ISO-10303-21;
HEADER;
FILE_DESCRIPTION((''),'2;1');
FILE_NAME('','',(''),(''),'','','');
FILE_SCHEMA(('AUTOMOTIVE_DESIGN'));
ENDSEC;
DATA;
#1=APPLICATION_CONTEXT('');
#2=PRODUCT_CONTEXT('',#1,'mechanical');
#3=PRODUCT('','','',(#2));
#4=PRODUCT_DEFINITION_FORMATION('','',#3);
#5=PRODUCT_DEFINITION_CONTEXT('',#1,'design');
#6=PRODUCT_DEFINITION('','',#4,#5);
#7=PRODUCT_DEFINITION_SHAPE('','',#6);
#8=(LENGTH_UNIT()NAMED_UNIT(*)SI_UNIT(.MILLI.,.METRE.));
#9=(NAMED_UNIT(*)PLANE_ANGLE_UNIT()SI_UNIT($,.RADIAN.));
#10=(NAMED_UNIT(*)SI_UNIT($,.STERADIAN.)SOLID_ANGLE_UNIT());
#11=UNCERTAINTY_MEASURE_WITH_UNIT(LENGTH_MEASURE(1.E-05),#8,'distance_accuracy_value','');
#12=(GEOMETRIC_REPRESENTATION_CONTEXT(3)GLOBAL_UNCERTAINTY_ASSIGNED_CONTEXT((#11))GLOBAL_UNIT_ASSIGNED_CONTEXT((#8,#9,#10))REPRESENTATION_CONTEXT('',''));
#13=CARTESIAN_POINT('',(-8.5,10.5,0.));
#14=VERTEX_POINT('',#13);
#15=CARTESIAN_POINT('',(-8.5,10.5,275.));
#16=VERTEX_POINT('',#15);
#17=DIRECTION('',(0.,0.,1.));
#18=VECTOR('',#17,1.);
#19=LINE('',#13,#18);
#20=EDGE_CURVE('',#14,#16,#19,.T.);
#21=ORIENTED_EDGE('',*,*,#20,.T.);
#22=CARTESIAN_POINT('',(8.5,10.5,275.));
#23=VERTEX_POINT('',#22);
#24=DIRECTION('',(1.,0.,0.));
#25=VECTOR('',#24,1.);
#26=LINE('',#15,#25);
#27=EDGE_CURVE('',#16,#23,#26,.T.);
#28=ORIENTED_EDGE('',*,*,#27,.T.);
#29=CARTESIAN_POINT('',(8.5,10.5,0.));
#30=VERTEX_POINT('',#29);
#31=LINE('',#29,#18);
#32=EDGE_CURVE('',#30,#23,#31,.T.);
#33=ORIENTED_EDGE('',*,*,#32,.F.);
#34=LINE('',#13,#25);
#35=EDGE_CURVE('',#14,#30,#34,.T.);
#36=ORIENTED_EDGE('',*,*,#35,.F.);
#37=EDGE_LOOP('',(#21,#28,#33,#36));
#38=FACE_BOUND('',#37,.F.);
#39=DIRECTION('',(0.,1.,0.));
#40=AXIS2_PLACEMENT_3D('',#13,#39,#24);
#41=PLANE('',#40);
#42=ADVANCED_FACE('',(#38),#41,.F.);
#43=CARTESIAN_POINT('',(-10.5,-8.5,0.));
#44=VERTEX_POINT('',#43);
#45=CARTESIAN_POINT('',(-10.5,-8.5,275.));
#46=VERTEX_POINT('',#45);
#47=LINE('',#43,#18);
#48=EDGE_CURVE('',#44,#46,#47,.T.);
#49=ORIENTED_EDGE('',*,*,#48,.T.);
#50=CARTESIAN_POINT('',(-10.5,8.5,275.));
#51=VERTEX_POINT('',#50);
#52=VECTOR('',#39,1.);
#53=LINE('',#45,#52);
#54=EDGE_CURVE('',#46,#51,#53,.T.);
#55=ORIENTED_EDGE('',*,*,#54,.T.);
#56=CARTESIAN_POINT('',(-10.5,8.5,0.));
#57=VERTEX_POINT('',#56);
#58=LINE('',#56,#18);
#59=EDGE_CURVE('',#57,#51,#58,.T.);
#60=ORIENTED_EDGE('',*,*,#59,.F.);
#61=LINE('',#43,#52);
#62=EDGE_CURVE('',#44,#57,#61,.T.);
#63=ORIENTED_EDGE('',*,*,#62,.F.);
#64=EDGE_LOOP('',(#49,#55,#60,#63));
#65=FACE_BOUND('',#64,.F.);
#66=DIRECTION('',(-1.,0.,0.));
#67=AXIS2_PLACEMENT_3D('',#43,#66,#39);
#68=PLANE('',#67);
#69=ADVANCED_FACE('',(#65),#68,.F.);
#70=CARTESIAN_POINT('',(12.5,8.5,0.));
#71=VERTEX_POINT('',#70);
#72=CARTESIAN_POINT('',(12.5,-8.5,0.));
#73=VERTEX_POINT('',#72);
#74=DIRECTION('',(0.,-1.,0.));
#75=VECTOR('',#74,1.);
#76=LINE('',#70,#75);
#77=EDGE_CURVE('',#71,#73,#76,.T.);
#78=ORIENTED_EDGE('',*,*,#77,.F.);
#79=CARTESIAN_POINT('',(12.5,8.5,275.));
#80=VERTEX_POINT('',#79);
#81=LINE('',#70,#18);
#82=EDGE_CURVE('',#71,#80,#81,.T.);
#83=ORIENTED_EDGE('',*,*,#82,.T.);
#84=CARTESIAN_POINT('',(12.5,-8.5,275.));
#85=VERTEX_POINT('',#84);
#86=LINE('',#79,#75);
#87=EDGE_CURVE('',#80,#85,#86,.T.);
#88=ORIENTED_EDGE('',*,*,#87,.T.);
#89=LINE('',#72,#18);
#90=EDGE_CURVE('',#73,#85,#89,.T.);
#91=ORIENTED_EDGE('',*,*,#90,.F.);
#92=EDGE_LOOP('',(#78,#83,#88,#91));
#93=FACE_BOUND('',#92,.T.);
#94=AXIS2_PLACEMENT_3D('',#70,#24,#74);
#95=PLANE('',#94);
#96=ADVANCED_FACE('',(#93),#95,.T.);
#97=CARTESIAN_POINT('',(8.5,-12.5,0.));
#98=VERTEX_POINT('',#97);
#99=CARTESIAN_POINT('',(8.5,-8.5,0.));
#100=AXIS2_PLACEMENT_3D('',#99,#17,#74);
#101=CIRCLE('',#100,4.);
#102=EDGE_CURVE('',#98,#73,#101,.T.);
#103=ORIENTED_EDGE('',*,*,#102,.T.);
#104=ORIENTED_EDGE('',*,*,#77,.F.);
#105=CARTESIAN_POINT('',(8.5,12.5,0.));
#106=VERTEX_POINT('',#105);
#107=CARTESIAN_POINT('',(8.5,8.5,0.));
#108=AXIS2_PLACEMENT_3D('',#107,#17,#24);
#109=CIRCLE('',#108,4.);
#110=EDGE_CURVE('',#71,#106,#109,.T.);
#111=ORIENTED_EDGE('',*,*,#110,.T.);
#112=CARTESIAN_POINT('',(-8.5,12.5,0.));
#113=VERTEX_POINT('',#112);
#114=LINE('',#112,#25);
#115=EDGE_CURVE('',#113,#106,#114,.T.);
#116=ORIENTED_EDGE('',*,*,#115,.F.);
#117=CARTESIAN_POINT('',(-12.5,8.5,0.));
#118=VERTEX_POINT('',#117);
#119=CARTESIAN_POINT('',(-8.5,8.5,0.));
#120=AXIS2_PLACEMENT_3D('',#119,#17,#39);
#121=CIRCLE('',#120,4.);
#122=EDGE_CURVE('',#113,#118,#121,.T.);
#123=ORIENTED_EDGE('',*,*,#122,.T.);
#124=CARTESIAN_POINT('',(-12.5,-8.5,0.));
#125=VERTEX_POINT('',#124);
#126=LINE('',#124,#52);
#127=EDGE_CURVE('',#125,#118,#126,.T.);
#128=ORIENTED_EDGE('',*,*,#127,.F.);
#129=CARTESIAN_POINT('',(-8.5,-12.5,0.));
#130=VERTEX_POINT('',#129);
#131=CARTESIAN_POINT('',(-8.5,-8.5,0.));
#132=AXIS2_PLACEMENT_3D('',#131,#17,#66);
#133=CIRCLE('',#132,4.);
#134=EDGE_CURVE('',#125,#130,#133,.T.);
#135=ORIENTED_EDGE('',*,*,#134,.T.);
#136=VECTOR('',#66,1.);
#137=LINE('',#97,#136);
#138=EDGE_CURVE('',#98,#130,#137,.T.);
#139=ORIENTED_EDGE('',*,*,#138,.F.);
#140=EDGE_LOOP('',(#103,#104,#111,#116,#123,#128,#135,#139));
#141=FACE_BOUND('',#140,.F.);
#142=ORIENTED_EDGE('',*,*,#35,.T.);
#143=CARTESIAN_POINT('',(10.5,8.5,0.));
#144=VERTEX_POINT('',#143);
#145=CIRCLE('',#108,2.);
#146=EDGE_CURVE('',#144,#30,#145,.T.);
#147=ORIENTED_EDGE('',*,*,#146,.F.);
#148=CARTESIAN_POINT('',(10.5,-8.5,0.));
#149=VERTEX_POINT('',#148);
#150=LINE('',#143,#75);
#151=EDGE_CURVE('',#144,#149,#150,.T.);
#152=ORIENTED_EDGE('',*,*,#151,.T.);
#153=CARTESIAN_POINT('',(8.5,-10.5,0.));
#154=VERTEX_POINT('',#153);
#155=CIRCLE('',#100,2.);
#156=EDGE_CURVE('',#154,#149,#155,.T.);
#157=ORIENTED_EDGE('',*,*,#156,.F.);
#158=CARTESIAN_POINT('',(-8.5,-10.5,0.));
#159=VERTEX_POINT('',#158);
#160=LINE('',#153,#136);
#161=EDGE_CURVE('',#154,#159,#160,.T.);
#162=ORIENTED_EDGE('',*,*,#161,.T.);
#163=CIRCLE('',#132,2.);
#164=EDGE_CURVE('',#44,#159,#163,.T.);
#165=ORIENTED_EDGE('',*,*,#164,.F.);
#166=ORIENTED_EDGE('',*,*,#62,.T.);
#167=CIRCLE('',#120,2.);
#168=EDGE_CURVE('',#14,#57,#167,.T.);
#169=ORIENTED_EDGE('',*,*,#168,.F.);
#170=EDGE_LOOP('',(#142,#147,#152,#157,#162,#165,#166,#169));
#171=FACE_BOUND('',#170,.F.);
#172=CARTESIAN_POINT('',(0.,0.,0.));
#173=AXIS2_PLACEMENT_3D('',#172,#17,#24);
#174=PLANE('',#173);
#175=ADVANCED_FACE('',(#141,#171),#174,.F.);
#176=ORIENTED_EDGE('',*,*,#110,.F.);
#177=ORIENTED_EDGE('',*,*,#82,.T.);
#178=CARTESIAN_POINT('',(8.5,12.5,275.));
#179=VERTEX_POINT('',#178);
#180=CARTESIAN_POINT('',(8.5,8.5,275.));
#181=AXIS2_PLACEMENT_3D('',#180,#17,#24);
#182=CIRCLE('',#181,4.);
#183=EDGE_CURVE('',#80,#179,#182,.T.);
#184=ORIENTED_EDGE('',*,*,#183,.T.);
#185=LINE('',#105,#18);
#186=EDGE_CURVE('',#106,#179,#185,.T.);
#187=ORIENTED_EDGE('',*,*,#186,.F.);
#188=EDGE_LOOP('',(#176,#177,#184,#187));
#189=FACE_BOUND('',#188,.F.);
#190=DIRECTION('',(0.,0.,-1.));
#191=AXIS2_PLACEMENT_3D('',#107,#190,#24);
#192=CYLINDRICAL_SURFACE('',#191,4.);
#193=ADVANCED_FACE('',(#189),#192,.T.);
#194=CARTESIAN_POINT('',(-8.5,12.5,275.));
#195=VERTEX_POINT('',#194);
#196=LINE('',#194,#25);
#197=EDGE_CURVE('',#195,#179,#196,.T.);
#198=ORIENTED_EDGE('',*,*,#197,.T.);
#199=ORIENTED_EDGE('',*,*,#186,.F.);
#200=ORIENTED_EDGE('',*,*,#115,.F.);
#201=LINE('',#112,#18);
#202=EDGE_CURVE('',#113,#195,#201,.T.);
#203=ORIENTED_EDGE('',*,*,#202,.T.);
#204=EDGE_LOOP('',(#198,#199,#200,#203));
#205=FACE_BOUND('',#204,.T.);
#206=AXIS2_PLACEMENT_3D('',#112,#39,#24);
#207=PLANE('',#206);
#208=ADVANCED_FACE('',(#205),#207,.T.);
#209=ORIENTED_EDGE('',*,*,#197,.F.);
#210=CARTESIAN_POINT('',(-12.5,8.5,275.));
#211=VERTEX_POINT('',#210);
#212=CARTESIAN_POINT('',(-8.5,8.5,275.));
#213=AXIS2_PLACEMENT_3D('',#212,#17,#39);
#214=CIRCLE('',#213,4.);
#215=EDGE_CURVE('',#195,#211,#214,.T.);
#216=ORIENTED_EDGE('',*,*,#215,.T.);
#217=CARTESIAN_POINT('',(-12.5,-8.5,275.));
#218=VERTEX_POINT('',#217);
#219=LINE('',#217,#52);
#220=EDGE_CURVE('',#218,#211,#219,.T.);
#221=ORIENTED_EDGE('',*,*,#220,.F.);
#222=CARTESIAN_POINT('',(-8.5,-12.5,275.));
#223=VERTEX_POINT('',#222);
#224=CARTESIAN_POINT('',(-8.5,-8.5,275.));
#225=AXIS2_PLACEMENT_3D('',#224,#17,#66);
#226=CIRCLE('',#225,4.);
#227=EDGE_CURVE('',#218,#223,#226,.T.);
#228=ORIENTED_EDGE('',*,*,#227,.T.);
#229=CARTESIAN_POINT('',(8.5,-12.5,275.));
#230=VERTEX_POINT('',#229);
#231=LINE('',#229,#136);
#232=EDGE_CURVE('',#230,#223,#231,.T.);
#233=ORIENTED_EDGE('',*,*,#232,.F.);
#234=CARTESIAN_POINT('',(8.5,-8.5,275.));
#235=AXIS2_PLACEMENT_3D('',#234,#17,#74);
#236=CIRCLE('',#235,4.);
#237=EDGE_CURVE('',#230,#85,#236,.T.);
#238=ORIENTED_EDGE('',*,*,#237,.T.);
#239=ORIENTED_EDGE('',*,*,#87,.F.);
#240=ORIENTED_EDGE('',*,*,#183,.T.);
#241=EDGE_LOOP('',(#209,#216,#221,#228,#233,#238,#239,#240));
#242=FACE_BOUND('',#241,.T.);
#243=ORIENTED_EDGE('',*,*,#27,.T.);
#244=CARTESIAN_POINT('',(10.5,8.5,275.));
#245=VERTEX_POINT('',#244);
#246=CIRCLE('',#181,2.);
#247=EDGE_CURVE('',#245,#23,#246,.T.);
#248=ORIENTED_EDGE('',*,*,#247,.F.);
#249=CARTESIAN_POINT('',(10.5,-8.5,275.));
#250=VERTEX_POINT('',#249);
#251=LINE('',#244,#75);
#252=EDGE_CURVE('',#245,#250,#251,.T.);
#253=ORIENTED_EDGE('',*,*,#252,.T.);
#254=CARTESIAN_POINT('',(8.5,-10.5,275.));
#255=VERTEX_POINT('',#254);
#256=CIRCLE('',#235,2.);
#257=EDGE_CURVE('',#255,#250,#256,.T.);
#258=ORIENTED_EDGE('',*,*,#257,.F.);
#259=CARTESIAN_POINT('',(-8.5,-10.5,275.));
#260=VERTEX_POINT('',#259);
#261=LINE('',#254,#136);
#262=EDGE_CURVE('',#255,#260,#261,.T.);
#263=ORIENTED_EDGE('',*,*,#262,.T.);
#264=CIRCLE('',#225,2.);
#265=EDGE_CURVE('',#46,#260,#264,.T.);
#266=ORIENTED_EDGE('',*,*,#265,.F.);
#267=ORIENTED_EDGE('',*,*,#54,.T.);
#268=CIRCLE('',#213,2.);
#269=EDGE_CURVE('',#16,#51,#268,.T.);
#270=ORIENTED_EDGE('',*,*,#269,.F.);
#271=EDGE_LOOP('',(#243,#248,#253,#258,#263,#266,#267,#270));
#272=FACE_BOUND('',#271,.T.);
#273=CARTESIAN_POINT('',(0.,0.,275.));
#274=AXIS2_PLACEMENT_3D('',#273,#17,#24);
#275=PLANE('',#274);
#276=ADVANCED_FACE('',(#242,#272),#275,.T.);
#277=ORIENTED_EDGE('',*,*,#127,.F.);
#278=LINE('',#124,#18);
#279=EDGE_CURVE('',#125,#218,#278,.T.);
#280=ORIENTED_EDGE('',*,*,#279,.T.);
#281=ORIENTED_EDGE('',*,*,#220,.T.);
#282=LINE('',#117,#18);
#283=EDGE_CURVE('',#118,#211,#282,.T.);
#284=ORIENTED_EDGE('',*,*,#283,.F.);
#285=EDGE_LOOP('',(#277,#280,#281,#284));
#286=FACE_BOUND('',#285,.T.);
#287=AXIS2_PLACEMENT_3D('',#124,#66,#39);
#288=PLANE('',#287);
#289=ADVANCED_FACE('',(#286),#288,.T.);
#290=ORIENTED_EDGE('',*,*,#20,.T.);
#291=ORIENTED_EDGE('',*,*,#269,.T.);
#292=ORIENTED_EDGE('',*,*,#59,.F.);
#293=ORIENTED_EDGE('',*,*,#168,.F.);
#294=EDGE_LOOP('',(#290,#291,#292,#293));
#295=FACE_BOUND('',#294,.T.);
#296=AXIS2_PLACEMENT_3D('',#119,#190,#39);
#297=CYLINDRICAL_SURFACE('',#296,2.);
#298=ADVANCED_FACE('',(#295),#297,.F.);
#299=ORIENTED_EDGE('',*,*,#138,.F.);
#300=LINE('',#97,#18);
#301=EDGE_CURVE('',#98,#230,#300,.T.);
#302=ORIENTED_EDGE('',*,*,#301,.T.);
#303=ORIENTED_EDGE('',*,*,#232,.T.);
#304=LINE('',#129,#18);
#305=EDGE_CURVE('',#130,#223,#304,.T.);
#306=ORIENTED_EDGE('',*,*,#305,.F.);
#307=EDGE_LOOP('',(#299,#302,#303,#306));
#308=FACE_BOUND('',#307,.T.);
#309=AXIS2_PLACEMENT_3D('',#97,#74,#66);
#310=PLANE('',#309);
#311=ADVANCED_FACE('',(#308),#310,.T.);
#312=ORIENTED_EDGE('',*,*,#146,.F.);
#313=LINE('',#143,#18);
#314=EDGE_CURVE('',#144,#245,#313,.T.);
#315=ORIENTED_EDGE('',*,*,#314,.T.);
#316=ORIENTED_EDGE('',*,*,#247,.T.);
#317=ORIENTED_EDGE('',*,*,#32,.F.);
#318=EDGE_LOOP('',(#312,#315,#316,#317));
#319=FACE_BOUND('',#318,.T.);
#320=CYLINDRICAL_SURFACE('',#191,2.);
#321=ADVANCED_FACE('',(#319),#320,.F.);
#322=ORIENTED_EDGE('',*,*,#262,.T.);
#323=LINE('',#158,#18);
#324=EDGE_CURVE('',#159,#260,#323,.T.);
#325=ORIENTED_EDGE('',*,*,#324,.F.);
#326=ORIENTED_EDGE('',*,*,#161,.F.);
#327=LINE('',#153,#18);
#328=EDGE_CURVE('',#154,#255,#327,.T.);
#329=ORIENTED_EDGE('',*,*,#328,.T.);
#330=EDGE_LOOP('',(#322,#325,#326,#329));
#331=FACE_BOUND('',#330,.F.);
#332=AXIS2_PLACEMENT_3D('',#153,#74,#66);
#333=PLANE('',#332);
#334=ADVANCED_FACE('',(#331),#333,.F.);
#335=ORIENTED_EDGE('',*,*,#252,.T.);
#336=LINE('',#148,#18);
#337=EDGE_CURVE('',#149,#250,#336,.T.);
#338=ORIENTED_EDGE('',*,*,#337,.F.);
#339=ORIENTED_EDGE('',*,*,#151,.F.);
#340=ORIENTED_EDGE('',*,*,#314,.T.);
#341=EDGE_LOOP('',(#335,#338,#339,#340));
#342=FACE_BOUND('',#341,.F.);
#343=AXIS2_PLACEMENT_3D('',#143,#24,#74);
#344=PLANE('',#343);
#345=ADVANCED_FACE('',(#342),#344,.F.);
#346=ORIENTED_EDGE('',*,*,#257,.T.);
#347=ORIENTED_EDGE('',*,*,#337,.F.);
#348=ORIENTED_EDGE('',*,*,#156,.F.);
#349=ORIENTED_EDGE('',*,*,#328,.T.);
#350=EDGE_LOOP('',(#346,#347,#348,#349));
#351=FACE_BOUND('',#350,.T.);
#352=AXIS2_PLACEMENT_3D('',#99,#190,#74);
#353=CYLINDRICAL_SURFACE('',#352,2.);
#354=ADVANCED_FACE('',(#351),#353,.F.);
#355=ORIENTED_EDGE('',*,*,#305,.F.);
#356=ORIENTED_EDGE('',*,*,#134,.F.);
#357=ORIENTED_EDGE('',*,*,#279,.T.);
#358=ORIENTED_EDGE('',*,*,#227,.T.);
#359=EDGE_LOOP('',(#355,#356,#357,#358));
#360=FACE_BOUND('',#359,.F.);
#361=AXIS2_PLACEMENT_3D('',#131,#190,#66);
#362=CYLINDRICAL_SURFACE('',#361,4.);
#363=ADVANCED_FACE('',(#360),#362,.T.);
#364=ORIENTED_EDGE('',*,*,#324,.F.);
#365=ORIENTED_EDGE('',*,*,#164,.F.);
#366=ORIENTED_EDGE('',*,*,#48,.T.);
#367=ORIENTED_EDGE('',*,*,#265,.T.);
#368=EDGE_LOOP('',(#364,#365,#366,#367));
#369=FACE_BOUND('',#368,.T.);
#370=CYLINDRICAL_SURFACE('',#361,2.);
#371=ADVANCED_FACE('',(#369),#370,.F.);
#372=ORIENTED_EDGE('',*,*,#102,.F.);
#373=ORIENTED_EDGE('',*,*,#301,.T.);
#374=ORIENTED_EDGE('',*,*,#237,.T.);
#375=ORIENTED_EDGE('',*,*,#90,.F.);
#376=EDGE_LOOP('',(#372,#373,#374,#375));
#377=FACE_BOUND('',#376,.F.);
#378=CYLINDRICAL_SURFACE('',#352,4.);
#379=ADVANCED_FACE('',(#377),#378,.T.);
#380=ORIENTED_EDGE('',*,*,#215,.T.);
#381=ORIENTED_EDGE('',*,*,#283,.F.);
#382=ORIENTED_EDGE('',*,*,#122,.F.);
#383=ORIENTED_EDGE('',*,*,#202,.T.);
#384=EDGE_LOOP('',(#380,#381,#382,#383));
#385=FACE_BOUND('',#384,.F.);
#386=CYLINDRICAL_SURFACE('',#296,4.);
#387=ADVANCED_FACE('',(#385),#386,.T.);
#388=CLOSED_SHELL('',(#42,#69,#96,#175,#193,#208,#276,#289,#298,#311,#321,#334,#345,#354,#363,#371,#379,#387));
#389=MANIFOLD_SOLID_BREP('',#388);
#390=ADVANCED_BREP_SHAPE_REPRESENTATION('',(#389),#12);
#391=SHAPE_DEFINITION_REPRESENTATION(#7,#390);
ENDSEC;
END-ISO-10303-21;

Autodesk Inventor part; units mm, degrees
ref_plane "Start plane" through (0, 0, 0) normal (0, 0, 1) x (1, 0, 0)
ref_plane "End plane" through (0, 0, 275) normal (0, 0, 1) x (1, 0, 0)
sketch "Sketch" plane through (0, 0, 0) normal (0, 0, 1) x (1, 0, 0)
  line L0 (-12.5, -8.5) -> (-12.5, 8.5)
  line L1 (-8.5, 12.5) -> (8.5, 12.5)
  line L2 (12.5, 8.5) -> (12.5, -8.5)
  line L3 (8.5, -12.5) -> (-8.5, -12.5)
  arc A0 (-12.5, -8.5) -> (-8.5, -12.5) centre (-8.5, -8.5) ccw
  arc A1 (12.5, 8.5) -> (8.5, 12.5) centre (8.5, 8.5) ccw
  arc A2 (-8.5, 12.5) -> (-12.5, 8.5) centre (-8.5, 8.5) ccw
  arc A3 (8.5, -12.5) -> (12.5, -8.5) centre (8.5, -8.5) ccw
  arc A4 (-8.5, 10.5) -> (-10.5, 8.5) centre (-8.5, 8.5) ccw
  line L4 (-8.5, 10.5) -> (8.5, 10.5)
  arc A5 (10.5, 8.5) -> (8.5, 10.5) centre (8.5, 8.5) ccw
  line L5 (10.5, 8.5) -> (10.5, -8.5)
  arc A6 (8.5, -10.5) -> (10.5, -8.5) centre (8.5, -8.5) ccw
  line L6 (8.5, -10.5) -> (-8.5, -10.5)
  arc A7 (-10.5, -8.5) -> (-8.5, -10.5) centre (-8.5, -8.5) ccw
  line L7 (-10.5, -8.5) -> (-10.5, 8.5)
  line L8 (0, 18.6598) -> (0, -18.6598) construction
  line L9 (-18.6598, 0) -> (18.6598, 0) construction
  dimension "d7" = 4
  dimension "d9" = 25
  dimension "d11" = 25
  dimension "d12" = 2
  dimension "d15" = 12.5
  dimension "d16" = 12.5
extrude "Body" add sketch "Sketch" along normal up to surface (275 mm away) from surface at 0
sketch "Sketch3" plane through (0, 0, 0) normal (0, 0, 1) x (1, 0, 0)
  line L0 (0, 0) -> (10, 0)
ref_plane "Work Plane3" through (0, 0, 0) normal (0, -1, 0) x (1, 0, 0)
sketch "Sketch4" plane through (0, 0, 0) normal (0, -1, 0) x (1, 0, 0)
  line L0 (-2, 0) -> (12, 0)
  line L1 (-2, 275) -> (12, 275)
  dimension "d18" = 275
ref_plane "Work Plane4" through (467.5, -398.5, 275) normal (0, 0, 1) x (1, 0, 0)
split "Split1" plane through (467.5, -398.5, 275) removes the side toward (0, 0, 1)
equation "\"d7\" = G_IR"
equation "\"d9\" = G_W"
equation "\"d11\" = G_H"
equation "\"d12\" = G_T"
equation "\"d15\" = 0.5 * d9"
equation "\"d16\" = 0.5 * d11"
equation "\"d3\" = G_L"
equation "\"G_W\" = 25"
equation "\"G_H\" = 25"
equation "\"G_T\" = 2"
equation "\"G_IR\" = 4"
equation "\"G_L\" = d18"
equation "\"G_OFFSET_START\" = 0"
equation "\"G_OFFSET_END\" = -25"
equation "\"d14\" = G_OFFSET_END + B_L"
equation "\"B_L\" = 300"
properties part number "ISO 4019 - 25x25x2 - 275" material "Steel, Mild"
